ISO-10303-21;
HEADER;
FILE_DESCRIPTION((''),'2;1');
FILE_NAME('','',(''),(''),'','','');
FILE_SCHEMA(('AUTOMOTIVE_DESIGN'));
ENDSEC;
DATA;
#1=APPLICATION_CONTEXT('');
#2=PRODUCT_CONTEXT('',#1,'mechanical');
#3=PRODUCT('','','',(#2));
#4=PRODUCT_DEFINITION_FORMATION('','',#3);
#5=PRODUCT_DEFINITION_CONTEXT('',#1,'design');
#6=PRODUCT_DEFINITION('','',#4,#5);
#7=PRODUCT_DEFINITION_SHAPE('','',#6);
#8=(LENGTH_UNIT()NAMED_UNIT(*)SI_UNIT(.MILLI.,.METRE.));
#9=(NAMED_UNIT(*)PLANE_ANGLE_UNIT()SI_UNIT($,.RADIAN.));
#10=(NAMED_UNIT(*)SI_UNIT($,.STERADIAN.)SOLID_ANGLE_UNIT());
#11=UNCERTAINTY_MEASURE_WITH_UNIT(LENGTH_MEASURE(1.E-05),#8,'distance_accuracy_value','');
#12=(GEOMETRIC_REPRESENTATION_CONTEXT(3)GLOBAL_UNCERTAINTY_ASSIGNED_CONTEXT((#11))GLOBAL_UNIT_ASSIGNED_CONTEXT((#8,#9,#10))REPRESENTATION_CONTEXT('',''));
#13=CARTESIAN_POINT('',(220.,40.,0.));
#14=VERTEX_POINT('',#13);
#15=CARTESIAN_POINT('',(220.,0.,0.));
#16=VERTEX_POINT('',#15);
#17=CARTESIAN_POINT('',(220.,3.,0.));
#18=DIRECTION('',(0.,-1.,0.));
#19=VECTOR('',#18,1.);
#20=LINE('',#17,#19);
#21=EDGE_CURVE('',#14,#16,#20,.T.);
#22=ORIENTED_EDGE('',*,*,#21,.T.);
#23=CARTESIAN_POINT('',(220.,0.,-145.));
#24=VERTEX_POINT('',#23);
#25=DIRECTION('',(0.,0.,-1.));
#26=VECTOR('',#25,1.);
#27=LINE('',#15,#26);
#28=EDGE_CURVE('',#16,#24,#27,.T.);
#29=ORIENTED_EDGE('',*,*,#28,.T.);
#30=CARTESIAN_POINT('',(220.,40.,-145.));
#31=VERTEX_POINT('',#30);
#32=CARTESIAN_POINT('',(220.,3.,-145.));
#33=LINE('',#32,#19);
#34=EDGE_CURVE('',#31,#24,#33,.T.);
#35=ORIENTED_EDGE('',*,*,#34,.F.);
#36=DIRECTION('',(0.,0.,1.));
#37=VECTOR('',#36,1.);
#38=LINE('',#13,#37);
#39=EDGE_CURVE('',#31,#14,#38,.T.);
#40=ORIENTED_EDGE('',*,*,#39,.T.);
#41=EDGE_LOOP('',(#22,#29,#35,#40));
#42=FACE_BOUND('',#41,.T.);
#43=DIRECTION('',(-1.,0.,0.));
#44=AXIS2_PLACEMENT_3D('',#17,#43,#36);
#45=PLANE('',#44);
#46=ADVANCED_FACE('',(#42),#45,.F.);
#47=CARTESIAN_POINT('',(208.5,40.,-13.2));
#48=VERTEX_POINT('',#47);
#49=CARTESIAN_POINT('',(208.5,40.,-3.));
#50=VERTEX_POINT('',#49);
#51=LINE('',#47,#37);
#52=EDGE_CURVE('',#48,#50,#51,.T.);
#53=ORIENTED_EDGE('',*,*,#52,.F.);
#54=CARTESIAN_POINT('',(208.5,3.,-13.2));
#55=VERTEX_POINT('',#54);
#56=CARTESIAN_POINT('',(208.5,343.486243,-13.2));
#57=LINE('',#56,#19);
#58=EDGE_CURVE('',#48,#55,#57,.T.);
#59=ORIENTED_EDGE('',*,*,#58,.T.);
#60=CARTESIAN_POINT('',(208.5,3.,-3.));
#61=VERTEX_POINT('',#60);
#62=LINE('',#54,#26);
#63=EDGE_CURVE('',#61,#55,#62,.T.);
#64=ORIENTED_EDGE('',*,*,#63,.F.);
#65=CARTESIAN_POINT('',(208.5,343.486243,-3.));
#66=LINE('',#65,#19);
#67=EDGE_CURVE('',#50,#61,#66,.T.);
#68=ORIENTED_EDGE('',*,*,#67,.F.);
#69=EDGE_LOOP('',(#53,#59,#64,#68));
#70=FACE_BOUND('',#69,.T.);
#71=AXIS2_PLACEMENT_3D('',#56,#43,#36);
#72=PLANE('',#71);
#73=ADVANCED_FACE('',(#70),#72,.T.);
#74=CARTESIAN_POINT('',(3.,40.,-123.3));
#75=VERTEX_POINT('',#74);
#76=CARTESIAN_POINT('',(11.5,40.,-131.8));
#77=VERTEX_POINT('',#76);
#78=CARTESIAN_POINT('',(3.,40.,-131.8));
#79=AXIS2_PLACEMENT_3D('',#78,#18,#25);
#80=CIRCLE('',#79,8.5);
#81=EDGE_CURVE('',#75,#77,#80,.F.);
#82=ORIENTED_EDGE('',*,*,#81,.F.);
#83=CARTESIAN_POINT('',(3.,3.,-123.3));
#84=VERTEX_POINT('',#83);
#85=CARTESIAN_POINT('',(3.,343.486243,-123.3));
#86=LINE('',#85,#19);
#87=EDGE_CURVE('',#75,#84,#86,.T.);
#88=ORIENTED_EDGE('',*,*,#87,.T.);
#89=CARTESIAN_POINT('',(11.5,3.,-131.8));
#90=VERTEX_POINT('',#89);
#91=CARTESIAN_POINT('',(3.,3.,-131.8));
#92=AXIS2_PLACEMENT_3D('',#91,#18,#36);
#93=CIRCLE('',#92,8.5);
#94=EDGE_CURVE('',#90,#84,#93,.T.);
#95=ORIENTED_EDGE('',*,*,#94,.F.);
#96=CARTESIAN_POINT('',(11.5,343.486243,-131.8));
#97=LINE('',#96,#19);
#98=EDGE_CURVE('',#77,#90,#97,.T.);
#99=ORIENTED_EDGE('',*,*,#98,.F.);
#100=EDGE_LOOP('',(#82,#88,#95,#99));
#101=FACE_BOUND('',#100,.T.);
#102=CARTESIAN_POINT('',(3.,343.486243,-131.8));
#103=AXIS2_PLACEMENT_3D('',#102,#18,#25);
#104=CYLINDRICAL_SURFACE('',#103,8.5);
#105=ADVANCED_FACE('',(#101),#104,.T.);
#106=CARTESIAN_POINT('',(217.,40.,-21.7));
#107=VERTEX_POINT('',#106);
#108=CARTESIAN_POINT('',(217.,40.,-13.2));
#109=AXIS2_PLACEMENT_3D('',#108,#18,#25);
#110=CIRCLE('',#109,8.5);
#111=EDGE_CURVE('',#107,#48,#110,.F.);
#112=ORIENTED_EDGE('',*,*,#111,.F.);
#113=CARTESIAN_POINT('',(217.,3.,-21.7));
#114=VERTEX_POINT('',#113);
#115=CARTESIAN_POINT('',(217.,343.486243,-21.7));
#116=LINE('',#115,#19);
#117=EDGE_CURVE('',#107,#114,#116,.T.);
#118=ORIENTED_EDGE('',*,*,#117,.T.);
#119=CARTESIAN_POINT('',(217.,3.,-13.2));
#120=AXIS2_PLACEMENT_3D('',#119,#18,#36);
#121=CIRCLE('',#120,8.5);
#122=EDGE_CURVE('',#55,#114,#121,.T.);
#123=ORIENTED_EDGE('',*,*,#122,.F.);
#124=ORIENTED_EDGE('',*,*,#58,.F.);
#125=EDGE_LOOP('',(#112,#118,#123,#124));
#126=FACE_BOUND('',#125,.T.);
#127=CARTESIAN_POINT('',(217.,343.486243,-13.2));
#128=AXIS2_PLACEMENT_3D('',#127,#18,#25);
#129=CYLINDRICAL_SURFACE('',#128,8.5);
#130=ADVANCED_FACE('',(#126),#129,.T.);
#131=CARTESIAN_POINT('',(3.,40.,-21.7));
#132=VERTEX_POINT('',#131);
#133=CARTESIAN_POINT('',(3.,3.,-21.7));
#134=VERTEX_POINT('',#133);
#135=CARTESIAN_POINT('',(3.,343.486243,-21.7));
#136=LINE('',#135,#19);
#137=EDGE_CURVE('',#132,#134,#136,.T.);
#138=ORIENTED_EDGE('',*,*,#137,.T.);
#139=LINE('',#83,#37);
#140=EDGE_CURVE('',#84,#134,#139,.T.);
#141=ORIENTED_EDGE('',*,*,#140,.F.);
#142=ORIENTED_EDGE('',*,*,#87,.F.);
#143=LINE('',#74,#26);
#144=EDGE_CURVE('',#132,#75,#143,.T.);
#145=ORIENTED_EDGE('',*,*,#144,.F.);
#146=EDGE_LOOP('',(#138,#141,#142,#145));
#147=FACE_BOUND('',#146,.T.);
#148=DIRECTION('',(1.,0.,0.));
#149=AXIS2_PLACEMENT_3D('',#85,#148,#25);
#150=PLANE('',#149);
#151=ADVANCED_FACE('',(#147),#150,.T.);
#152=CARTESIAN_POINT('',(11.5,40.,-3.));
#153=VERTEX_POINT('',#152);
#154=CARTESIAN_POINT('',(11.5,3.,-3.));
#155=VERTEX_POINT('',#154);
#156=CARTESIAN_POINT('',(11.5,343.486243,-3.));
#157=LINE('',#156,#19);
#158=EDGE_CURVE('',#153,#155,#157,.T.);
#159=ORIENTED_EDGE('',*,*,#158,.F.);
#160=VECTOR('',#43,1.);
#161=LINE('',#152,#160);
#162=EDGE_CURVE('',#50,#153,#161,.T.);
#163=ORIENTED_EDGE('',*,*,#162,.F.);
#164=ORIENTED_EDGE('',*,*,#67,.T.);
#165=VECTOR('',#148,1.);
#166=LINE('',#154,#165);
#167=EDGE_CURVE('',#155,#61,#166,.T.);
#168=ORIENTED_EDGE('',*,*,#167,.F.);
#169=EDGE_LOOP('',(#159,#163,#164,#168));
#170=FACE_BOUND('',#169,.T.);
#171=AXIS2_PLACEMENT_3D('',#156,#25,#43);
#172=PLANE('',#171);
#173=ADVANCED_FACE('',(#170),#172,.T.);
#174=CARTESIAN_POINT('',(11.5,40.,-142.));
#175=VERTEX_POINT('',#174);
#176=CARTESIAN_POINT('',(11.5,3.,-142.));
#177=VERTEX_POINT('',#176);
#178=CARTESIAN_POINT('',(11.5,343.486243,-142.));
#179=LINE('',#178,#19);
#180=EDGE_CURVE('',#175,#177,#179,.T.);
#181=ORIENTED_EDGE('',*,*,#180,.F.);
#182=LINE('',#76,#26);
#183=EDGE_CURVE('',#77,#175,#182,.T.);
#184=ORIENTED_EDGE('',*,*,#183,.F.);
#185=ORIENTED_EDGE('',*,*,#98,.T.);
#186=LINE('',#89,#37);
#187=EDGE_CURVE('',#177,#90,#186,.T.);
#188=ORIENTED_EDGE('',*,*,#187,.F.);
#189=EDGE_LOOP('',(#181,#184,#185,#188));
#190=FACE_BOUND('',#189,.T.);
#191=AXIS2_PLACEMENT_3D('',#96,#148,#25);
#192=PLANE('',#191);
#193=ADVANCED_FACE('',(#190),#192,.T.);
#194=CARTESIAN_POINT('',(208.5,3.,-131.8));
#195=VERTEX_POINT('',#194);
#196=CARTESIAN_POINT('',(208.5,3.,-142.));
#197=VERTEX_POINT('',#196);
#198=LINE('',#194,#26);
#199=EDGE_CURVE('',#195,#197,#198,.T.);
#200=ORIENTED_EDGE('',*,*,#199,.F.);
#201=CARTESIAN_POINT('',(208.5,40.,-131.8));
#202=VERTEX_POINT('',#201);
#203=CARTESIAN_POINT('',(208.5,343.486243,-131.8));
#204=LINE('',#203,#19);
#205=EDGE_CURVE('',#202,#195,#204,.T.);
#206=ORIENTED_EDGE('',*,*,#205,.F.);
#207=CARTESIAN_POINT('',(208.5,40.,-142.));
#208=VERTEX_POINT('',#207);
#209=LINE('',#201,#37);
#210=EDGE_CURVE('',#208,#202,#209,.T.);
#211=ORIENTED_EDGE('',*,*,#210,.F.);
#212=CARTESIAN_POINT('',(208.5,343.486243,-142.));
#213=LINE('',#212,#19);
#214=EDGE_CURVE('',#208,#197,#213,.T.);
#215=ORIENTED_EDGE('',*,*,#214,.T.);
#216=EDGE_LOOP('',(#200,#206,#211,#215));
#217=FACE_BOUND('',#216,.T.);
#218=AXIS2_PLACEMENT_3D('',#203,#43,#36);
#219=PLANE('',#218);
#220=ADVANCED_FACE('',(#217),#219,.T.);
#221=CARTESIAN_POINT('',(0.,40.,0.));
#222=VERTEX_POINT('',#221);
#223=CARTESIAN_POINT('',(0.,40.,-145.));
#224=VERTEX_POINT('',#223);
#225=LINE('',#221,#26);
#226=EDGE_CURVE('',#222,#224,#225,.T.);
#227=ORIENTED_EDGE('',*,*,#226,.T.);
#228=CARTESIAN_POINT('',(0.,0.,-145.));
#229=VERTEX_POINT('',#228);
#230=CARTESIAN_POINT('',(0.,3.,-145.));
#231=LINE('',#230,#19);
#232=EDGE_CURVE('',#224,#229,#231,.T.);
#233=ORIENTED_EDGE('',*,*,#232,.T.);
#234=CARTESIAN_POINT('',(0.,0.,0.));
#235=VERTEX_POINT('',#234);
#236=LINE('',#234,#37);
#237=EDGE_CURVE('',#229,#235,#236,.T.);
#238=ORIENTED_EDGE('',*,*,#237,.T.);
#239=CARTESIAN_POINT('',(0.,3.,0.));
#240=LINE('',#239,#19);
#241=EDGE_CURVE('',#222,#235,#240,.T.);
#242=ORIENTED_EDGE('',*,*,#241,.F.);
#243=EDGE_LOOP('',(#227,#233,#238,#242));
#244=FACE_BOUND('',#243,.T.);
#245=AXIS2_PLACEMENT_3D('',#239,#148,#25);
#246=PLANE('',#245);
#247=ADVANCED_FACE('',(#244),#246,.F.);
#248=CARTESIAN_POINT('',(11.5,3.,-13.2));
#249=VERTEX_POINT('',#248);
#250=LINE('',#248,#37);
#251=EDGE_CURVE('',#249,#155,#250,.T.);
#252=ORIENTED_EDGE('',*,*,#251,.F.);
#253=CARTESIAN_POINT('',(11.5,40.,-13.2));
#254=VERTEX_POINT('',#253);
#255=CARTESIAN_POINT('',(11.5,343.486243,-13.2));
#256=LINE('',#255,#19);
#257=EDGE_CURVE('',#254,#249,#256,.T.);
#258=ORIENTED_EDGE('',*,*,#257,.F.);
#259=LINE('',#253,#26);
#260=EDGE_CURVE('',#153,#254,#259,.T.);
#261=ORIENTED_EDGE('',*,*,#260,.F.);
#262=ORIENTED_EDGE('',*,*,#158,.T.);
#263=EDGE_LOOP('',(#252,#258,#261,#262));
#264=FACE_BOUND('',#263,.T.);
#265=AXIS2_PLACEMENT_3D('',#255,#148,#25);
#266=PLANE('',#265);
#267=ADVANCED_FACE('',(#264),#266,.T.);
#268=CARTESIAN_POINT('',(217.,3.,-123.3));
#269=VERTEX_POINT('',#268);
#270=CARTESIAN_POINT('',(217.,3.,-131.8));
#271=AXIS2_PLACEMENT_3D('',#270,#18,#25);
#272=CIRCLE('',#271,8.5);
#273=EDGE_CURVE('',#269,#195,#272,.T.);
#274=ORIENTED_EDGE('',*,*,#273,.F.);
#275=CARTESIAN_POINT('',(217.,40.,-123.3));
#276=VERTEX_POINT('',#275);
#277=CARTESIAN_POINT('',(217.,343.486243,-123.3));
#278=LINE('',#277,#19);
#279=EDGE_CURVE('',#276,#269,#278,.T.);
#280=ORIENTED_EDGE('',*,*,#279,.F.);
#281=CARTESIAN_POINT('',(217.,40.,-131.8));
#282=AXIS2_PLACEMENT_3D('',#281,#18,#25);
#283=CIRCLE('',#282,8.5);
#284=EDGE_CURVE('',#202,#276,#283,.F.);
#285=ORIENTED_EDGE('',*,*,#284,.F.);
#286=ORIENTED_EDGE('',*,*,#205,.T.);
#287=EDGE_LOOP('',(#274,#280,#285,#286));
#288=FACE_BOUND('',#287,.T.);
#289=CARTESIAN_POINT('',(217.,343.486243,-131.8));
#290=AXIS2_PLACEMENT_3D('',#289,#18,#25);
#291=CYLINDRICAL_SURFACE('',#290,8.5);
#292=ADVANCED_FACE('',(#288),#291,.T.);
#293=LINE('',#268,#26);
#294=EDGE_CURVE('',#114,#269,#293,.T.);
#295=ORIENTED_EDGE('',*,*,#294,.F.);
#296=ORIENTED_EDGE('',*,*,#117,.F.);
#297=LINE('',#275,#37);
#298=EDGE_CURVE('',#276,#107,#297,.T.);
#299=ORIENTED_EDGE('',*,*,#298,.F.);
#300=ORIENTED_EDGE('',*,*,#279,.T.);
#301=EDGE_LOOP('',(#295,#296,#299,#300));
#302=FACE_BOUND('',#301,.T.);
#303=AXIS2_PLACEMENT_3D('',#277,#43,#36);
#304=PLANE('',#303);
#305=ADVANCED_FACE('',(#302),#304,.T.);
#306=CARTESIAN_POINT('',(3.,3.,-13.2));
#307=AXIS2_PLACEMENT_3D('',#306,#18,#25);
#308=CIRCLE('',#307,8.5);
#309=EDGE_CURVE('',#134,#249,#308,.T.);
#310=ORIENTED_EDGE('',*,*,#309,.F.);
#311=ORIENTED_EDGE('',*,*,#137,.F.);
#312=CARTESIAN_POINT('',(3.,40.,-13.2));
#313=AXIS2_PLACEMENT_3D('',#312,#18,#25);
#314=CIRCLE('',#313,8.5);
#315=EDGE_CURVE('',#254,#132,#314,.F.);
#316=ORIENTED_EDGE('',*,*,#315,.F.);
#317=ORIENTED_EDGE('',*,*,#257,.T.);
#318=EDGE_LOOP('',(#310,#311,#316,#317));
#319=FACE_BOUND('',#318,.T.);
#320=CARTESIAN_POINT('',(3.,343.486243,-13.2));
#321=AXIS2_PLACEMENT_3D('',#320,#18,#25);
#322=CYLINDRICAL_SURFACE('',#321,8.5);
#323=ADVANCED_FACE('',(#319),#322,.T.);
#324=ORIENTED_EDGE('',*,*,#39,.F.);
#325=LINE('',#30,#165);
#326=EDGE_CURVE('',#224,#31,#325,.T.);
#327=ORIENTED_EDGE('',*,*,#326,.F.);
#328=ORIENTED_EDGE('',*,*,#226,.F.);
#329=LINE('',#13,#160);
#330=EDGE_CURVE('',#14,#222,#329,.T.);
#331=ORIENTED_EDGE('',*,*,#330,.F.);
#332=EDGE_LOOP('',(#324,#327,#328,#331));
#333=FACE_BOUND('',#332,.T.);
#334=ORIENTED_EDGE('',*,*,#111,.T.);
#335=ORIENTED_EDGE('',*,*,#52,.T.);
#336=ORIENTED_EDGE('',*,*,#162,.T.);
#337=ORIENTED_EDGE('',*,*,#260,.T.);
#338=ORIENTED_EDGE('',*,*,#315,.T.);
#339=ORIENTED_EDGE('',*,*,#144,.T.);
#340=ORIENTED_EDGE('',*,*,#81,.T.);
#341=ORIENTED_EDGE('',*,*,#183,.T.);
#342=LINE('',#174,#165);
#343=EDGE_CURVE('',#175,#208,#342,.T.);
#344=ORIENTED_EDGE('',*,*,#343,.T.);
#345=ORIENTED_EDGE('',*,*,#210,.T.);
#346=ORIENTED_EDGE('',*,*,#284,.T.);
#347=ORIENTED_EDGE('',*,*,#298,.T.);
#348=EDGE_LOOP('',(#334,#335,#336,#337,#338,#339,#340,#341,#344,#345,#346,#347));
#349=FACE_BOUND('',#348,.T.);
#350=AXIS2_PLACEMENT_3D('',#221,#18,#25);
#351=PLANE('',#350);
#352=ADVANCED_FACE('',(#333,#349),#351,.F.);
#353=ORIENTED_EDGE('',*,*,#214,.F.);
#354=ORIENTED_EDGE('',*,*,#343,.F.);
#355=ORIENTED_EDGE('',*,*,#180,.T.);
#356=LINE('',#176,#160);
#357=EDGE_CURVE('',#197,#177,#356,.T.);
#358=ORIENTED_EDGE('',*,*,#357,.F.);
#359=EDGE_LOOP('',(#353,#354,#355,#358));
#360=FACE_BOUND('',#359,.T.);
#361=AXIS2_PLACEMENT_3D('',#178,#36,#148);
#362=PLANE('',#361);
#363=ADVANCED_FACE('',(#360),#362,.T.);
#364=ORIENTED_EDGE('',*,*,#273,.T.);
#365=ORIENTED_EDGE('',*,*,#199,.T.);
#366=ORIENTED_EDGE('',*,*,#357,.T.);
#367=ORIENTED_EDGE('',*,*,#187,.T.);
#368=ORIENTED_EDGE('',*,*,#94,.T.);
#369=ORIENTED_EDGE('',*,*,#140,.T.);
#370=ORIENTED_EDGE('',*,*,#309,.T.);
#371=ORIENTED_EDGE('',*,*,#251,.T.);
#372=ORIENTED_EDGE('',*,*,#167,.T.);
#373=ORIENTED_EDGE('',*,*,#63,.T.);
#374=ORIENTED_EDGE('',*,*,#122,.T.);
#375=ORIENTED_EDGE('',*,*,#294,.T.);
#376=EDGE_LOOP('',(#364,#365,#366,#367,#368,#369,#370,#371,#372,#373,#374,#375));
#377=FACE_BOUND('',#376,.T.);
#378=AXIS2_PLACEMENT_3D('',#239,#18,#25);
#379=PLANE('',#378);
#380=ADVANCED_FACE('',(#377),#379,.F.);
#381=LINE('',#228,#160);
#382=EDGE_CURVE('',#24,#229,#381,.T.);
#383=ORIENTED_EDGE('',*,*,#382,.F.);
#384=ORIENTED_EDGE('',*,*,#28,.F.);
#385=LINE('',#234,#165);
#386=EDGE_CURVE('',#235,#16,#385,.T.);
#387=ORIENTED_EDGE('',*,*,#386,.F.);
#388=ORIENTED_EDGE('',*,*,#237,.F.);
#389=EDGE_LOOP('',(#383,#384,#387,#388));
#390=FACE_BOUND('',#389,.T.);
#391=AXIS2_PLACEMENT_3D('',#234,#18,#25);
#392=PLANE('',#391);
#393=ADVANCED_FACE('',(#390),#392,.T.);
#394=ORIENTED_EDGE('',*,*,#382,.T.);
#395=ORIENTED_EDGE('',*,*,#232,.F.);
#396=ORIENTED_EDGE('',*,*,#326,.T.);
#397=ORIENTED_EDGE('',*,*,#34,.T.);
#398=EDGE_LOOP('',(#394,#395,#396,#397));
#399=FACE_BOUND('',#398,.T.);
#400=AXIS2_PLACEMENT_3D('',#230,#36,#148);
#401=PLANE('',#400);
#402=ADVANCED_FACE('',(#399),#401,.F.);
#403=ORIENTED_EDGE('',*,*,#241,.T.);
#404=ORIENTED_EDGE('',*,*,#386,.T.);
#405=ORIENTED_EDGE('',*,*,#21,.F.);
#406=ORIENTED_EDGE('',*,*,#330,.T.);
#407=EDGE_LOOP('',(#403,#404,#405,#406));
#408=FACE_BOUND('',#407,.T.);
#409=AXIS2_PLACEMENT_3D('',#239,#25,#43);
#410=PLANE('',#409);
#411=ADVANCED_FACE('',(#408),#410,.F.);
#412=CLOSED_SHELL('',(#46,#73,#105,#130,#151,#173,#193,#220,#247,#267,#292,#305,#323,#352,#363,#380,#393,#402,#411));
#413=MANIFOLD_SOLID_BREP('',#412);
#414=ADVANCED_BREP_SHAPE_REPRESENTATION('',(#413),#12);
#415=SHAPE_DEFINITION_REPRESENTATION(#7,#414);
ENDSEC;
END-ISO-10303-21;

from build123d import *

# Parameters (mm, degrees)
SKETCH1_W           = 220
SKETCH1_H           = 145
BOSS_EXTRUDE1_DEPTH = 3
SKETCH2_W           = 220
SKETCH2_H           = 145
BOSS_EXTRUDE2_DEPTH = 37


with BuildPart() as part:
    # Sketch1 → Boss-Extrude1 (new body)
    with BuildSketch(Plane(origin=(0, 0, 0), x_dir=(1, 0, 0), z_dir=(0, 1, 0))):
        with Locations((110, 72.5)):
            Rectangle(SKETCH1_W, SKETCH1_H)
    extrude(amount=BOSS_EXTRUDE1_DEPTH)

    # Sketch2 → Boss-Extrude2 (add)
    with BuildSketch(Plane(origin=(0, 3, 0), x_dir=(1, 0, 0), z_dir=(0, 1, 0))):
        with Locations((110, 72.5)):
            Rectangle(SKETCH2_W, SKETCH2_H)
        with BuildLine():
            Line((3, 123.3), (3, 21.7))
            ThreePointArc((3, 21.7), (9.01040764, 19.21040764), (11.5, 13.2))
            Line((11.5, 13.2), (11.5, 3))
            Line((11.5, 3), (208.5, 3))
            Line((208.5, 3), (208.5, 13.2))
            ThreePointArc((208.5, 13.2), (210.98959236, 19.21040764), (217, 21.7))
            Line((217, 21.7), (217, 123.3))
            ThreePointArc((217, 123.3), (210.98959236, 125.78959236), (208.5, 131.8))
            Line((208.5, 131.8), (208.5, 142))
            Line((208.5, 142), (11.5, 142))
            Line((11.5, 142), (11.5, 131.8))
            ThreePointArc((11.5, 131.8), (9.01040764, 125.78959236), (3, 123.3))
        make_face(mode=Mode.SUBTRACT)
    extrude(amount=BOSS_EXTRUDE2_DEPTH)


solid = part.part
